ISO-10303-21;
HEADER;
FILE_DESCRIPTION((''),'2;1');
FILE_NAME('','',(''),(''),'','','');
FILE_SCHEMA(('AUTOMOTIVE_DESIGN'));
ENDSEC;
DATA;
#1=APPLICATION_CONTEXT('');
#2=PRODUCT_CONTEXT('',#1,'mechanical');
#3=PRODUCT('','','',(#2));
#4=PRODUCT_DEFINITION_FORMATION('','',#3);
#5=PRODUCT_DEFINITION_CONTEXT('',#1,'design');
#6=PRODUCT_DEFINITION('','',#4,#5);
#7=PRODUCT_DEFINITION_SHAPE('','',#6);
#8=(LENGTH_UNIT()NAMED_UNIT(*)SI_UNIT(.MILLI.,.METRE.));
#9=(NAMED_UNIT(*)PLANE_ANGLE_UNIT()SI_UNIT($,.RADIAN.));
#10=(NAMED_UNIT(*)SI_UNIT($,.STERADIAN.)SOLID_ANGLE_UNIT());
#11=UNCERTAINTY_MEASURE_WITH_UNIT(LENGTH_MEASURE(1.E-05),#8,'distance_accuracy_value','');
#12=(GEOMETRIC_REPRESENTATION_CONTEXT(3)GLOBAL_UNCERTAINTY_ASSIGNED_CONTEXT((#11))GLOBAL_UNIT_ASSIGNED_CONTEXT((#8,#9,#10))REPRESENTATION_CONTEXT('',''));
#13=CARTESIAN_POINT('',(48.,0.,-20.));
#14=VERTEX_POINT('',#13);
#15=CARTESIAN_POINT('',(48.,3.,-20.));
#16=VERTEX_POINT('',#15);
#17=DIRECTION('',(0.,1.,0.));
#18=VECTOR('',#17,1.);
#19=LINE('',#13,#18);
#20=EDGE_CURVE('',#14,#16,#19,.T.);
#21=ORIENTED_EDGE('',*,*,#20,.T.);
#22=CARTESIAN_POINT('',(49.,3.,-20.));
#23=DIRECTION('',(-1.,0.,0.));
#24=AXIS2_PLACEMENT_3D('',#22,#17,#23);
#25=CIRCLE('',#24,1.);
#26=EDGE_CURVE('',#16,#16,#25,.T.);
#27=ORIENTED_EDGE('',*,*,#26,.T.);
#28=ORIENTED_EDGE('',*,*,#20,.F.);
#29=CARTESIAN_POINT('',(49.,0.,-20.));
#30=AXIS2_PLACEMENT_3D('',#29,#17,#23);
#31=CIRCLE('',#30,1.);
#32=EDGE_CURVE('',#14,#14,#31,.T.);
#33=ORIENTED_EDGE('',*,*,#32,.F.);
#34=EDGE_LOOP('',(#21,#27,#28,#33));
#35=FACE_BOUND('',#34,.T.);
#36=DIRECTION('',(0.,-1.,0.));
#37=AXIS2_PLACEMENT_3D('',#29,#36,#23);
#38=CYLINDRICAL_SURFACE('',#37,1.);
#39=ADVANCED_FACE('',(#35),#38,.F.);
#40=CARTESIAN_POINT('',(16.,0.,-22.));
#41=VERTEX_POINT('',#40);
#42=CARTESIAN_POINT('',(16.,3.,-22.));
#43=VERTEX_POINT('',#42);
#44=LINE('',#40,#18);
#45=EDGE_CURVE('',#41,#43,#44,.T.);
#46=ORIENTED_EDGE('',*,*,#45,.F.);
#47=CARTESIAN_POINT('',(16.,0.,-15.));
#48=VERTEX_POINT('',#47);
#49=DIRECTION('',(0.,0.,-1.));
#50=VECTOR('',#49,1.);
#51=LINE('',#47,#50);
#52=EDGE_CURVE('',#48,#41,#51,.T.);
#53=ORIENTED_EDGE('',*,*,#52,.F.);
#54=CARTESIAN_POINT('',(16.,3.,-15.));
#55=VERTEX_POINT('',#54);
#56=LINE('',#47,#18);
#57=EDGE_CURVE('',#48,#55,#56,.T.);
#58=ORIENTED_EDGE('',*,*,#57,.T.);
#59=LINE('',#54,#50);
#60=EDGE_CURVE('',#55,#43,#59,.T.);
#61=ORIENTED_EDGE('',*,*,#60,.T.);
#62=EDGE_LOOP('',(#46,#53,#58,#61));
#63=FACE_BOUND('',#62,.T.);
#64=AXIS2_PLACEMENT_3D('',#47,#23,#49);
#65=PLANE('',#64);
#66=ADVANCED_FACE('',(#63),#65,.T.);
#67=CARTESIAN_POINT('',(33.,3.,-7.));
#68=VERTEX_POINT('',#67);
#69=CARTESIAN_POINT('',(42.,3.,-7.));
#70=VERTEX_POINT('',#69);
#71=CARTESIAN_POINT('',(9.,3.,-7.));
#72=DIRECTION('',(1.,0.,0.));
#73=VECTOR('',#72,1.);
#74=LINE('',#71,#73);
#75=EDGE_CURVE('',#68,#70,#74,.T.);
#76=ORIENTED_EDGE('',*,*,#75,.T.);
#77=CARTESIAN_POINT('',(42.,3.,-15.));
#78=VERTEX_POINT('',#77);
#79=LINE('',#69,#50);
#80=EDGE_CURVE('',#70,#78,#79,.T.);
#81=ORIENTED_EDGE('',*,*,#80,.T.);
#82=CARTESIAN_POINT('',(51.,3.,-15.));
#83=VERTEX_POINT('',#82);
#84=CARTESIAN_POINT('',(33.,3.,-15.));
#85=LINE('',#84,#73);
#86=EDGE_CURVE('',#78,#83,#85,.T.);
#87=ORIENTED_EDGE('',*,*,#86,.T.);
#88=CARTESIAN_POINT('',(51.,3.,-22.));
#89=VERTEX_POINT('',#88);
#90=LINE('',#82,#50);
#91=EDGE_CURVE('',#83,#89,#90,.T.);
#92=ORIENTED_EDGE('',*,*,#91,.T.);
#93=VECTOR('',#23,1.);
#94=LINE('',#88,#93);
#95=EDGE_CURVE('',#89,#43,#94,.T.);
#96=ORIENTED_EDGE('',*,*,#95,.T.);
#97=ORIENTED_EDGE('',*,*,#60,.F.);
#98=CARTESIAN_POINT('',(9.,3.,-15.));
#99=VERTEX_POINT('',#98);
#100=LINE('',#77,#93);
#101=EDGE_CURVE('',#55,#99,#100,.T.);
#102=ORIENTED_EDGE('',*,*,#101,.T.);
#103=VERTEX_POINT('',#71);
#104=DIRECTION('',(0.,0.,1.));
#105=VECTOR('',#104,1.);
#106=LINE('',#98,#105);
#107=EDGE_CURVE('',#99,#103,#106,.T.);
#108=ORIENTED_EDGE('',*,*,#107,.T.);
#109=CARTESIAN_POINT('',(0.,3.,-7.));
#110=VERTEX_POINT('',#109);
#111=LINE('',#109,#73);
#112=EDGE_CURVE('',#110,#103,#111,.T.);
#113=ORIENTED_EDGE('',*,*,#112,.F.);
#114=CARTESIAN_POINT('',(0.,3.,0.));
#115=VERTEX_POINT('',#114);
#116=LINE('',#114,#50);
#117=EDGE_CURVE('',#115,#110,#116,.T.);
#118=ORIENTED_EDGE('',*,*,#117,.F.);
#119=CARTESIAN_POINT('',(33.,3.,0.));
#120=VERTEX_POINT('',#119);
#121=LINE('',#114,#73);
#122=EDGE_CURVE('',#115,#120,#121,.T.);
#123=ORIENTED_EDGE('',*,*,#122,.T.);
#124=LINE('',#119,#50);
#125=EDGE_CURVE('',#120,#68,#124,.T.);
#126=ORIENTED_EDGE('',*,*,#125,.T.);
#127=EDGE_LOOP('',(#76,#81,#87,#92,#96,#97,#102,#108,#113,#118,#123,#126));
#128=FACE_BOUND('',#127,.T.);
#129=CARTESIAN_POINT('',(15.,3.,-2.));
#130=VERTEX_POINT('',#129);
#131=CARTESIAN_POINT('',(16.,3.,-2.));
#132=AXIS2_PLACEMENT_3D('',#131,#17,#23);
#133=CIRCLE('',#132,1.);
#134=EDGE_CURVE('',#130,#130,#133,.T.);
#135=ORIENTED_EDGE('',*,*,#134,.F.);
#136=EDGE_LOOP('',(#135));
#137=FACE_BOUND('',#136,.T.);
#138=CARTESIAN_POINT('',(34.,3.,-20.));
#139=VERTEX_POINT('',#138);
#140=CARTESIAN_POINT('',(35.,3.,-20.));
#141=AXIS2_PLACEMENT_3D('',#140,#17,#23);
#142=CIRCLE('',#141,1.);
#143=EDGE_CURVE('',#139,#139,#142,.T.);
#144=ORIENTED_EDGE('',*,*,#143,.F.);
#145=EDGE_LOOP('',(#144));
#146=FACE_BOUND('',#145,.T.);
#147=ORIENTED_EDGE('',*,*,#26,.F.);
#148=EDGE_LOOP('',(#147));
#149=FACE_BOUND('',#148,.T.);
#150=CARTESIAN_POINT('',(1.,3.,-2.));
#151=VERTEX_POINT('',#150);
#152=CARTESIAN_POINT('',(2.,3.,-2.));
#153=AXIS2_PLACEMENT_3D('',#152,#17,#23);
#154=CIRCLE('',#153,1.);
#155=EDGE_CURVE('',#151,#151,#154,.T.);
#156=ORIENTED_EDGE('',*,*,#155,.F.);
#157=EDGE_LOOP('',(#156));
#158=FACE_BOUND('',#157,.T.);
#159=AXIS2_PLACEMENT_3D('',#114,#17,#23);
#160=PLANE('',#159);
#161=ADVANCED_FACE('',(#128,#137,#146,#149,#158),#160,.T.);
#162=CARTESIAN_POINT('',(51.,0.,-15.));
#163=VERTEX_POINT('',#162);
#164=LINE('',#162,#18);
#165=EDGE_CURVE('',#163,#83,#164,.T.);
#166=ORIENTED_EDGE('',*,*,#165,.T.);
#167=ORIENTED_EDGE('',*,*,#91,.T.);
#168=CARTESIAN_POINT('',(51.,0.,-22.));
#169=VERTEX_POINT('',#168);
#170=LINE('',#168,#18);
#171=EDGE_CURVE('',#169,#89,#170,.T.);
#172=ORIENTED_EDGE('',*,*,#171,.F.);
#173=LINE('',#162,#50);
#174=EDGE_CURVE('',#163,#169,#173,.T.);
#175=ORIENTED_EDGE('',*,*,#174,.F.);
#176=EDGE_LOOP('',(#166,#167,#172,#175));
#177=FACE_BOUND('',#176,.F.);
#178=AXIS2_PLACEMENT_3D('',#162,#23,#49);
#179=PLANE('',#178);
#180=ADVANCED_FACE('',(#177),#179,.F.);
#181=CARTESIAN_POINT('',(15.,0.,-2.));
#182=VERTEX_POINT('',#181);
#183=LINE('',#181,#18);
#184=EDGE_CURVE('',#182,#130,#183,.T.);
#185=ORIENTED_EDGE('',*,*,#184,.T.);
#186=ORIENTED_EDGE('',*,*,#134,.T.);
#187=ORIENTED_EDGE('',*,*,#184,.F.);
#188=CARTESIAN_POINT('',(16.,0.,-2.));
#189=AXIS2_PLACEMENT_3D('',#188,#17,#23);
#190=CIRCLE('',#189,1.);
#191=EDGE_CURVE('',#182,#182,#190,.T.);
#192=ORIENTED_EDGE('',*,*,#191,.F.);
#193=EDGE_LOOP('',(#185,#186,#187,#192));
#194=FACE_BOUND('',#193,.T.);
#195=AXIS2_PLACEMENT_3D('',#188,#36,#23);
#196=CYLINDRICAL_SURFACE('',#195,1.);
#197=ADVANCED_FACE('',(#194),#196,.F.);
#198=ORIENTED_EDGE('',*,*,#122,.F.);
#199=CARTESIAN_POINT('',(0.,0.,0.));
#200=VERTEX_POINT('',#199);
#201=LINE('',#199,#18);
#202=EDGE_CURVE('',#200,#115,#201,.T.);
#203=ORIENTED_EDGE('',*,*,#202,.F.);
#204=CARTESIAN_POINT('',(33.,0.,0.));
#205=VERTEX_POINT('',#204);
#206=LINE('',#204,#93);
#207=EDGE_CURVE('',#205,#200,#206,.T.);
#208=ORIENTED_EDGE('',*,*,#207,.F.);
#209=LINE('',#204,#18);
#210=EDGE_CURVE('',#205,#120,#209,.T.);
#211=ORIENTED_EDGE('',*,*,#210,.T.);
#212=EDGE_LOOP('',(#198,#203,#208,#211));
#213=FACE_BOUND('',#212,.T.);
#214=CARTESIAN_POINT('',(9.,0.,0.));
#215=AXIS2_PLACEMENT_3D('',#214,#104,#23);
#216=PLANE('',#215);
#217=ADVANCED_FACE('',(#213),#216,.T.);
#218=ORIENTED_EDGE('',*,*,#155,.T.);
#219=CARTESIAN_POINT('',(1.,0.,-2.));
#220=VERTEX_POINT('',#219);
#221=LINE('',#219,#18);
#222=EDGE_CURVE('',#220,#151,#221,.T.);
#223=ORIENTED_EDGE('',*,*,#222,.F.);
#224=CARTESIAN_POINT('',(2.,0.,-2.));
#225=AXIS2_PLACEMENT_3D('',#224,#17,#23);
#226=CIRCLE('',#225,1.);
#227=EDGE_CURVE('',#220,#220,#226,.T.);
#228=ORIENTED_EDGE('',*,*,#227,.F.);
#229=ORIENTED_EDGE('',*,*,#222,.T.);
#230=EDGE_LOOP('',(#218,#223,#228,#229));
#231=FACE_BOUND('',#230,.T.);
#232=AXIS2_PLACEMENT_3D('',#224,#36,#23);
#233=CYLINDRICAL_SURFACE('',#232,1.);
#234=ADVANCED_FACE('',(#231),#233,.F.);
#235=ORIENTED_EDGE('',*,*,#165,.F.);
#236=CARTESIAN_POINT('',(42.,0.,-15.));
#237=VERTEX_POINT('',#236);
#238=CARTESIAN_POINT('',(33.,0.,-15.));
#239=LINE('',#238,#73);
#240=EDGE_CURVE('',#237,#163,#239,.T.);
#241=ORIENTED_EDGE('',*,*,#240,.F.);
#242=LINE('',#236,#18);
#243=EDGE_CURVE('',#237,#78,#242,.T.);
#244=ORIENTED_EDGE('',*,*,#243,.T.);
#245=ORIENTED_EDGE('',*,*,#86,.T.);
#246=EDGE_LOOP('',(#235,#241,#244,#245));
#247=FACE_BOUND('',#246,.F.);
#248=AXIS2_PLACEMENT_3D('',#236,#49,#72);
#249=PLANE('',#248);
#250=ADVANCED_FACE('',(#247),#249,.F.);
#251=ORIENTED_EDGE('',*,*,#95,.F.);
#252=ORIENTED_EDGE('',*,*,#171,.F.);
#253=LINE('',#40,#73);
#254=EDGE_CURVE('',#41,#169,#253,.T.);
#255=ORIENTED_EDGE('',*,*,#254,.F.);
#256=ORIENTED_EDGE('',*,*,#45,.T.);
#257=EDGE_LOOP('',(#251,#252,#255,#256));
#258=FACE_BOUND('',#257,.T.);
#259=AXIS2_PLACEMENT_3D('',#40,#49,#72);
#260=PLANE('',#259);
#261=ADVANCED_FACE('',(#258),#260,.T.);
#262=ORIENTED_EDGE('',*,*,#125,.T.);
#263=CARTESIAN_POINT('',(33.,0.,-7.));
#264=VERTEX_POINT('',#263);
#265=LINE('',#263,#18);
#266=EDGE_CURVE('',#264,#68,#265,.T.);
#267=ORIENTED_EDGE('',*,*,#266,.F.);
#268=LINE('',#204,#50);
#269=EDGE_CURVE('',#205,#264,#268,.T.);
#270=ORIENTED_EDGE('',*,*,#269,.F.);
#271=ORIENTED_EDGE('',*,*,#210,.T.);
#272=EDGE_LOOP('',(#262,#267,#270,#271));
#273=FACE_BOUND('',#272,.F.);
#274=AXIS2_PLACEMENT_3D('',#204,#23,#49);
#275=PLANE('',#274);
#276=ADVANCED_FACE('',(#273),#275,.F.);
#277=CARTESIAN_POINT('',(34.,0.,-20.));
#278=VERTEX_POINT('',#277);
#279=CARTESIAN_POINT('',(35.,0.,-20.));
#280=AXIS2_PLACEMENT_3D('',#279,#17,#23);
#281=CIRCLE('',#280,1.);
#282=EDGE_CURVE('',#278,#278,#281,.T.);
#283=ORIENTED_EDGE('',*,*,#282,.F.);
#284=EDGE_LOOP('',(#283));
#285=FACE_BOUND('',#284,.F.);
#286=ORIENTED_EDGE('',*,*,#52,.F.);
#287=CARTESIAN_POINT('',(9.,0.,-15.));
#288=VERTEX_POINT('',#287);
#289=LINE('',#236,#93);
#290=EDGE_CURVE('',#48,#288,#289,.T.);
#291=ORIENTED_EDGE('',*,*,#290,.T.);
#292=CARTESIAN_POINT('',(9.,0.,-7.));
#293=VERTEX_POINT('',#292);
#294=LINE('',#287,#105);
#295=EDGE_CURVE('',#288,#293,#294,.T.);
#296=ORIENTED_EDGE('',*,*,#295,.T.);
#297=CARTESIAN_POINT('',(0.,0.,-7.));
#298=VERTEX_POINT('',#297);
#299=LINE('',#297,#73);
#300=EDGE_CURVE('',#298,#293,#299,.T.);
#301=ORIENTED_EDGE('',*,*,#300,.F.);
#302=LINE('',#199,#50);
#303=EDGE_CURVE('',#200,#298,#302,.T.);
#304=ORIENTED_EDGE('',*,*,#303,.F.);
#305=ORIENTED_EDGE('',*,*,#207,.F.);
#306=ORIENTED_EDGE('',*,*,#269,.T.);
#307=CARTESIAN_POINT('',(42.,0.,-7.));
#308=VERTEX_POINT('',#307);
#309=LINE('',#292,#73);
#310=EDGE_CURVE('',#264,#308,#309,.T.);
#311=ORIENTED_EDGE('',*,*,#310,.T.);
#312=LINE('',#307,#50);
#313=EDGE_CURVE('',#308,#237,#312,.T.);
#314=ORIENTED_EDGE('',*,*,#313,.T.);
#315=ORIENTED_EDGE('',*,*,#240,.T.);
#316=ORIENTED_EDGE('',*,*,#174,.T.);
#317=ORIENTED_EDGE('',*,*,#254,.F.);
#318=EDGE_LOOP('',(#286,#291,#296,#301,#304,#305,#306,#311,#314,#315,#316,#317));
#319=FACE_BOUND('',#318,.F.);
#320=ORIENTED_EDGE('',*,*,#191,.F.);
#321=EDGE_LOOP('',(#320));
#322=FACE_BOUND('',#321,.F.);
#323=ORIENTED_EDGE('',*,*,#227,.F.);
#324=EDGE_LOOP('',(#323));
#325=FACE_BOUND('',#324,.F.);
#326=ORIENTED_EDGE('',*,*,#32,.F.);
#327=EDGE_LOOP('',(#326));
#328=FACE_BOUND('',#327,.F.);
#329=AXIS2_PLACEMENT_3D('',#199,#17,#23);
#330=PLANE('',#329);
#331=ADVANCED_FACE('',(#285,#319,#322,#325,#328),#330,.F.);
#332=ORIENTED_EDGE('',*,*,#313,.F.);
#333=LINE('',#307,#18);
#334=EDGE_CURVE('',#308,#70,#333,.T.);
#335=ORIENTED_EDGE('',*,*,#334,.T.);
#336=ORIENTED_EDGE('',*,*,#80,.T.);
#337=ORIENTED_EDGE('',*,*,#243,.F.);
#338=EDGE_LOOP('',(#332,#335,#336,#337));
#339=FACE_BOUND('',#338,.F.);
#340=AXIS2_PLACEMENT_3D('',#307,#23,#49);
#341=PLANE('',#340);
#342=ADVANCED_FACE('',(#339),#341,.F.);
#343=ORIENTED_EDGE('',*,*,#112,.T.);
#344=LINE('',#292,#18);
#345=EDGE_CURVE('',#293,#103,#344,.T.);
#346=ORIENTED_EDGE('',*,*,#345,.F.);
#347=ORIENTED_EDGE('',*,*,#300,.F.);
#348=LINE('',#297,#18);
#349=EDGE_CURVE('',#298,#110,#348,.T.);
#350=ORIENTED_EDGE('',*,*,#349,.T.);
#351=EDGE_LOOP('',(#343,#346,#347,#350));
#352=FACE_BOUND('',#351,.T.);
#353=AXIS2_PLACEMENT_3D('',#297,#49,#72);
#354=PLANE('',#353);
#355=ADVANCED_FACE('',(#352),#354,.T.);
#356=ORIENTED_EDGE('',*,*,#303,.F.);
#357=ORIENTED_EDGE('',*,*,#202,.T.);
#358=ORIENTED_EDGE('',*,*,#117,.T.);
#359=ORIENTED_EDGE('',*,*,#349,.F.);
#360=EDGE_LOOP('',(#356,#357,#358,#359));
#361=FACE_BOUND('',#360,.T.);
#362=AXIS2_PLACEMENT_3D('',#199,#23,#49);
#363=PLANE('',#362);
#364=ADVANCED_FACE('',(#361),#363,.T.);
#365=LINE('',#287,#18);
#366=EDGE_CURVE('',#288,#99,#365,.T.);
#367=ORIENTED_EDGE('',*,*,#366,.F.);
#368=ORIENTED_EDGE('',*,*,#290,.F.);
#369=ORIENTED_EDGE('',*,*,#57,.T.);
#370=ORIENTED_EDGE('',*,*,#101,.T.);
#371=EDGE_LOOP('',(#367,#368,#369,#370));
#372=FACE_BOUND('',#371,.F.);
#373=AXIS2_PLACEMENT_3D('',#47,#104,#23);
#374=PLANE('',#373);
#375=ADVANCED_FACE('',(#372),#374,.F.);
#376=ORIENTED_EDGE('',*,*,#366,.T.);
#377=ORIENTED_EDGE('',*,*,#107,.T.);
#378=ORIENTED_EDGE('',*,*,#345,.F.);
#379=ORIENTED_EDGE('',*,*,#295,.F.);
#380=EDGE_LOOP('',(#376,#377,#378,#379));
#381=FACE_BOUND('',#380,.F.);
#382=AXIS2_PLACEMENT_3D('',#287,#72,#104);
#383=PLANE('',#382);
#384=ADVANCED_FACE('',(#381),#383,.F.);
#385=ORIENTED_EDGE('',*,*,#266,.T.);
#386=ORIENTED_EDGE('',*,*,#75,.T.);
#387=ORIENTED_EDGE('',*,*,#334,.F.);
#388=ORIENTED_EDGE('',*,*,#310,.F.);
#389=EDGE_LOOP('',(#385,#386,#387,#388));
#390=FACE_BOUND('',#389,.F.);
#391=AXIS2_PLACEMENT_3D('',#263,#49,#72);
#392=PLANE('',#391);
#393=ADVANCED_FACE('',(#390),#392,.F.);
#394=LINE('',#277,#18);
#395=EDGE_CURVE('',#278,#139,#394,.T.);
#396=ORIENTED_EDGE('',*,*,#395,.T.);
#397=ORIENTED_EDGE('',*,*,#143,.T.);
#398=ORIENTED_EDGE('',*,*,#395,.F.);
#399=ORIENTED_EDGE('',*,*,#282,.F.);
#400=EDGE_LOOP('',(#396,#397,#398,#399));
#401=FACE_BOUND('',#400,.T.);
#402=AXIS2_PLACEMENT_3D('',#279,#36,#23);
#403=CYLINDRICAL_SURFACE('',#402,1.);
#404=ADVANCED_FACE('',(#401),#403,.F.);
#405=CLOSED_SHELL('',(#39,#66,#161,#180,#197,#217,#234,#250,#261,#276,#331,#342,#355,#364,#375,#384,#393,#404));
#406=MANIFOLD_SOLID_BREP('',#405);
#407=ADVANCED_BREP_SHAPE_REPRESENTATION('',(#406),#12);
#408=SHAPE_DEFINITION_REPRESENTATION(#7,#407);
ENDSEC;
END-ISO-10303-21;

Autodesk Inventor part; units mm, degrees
ref_plane "YZ Plane" through (0, 0, 0) normal (1, 0, 0) x (0, 1, 0)
ref_plane "XZ Plane" through (0, 0, 0) normal (0, 1, 0) x (-1, 0, 0)
ref_plane "XY Plane" through (0, 0, 0) normal (0, 0, 1) x (1, 0, 0)
sketch "Sketch1" plane through (0, 0, 0) normal (0, 1, 0) x (-1, 0, 0)
  line L0 (0, -7) -> (-9, -7)
  line L1 (-18, -7) -> (-18, 0)
  line L2 (-18, 0) -> (-9, 0)
  line L3 (0, 0) -> (0, -7)
  line L4 (-9, -7) -> (-9, -2) construction
  line L5 (-9, -2) -> (-9, 0) construction
  circle A0 centre (-16, -2) radius 1
  line L6 (-16, -2) -> (-9, -2) construction
  line L7 (-9, 0) -> (0, 0)
  line L8 (-9, -7) -> (-18, -7)
  circle A1 centre (-2, -2) radius 1
  circle A2 centre (-35, -20) radius 1
  line L9 (-33, -15) -> (-51, -15)
  line L10 (-51, -15) -> (-51, -22)
  line L11 (-51, -22) -> (-33, -22)
  line L12 (-33, -22) -> (-33, -15)
  line L13 (-35, -20) -> (-35, -22) construction
  line L14 (-42, -15) -> (-42, -22) construction
  circle A3 centre (-49, -20) radius 1
  line L15 (-42, -15) -> (-9, -15)
  line L16 (-9, -15) -> (-9, -7)
  line L17 (-9, -7) -> (-42, -7)
  line L18 (-42, -7) -> (-42, -15)
  line L19 (-33, -15) -> (-16, -15)
  line L20 (-16, -15) -> (-16, -22)
  line L21 (-16, -22) -> (-33, -22)
  line L22 (-33, -22) -> (-33, -15)
  line L23 (-33, -7) -> (-18, -7)
  line L24 (-18, -7) -> (-18, 0)
  line L25 (-18, 0) -> (-33, 0)
  line L26 (-33, 0) -> (-33, -7)
  point P0 (0, 0)
  dimension "d0" = 18
  dimension "d1" = 7
  dimension "d2" = 2
  dimension "d4" = 7
  dimension "d11" = 0
  dimension "d12" = 2
  dimension "d17" = 0
  dimension "d18" = 2
  dimension "d19" = 19
  dimension "d20" = 18
  dimension "d21" = 7
  dimension "d22" = 2
  dimension "d23" = 7
  dimension "d24" = 18
  dimension "d27" = 16
  dimension "d28" = 22
extrude "Extrusion2" add sketch "Sketch1" along normal blind 3
properties part number "game-switch-holder"
